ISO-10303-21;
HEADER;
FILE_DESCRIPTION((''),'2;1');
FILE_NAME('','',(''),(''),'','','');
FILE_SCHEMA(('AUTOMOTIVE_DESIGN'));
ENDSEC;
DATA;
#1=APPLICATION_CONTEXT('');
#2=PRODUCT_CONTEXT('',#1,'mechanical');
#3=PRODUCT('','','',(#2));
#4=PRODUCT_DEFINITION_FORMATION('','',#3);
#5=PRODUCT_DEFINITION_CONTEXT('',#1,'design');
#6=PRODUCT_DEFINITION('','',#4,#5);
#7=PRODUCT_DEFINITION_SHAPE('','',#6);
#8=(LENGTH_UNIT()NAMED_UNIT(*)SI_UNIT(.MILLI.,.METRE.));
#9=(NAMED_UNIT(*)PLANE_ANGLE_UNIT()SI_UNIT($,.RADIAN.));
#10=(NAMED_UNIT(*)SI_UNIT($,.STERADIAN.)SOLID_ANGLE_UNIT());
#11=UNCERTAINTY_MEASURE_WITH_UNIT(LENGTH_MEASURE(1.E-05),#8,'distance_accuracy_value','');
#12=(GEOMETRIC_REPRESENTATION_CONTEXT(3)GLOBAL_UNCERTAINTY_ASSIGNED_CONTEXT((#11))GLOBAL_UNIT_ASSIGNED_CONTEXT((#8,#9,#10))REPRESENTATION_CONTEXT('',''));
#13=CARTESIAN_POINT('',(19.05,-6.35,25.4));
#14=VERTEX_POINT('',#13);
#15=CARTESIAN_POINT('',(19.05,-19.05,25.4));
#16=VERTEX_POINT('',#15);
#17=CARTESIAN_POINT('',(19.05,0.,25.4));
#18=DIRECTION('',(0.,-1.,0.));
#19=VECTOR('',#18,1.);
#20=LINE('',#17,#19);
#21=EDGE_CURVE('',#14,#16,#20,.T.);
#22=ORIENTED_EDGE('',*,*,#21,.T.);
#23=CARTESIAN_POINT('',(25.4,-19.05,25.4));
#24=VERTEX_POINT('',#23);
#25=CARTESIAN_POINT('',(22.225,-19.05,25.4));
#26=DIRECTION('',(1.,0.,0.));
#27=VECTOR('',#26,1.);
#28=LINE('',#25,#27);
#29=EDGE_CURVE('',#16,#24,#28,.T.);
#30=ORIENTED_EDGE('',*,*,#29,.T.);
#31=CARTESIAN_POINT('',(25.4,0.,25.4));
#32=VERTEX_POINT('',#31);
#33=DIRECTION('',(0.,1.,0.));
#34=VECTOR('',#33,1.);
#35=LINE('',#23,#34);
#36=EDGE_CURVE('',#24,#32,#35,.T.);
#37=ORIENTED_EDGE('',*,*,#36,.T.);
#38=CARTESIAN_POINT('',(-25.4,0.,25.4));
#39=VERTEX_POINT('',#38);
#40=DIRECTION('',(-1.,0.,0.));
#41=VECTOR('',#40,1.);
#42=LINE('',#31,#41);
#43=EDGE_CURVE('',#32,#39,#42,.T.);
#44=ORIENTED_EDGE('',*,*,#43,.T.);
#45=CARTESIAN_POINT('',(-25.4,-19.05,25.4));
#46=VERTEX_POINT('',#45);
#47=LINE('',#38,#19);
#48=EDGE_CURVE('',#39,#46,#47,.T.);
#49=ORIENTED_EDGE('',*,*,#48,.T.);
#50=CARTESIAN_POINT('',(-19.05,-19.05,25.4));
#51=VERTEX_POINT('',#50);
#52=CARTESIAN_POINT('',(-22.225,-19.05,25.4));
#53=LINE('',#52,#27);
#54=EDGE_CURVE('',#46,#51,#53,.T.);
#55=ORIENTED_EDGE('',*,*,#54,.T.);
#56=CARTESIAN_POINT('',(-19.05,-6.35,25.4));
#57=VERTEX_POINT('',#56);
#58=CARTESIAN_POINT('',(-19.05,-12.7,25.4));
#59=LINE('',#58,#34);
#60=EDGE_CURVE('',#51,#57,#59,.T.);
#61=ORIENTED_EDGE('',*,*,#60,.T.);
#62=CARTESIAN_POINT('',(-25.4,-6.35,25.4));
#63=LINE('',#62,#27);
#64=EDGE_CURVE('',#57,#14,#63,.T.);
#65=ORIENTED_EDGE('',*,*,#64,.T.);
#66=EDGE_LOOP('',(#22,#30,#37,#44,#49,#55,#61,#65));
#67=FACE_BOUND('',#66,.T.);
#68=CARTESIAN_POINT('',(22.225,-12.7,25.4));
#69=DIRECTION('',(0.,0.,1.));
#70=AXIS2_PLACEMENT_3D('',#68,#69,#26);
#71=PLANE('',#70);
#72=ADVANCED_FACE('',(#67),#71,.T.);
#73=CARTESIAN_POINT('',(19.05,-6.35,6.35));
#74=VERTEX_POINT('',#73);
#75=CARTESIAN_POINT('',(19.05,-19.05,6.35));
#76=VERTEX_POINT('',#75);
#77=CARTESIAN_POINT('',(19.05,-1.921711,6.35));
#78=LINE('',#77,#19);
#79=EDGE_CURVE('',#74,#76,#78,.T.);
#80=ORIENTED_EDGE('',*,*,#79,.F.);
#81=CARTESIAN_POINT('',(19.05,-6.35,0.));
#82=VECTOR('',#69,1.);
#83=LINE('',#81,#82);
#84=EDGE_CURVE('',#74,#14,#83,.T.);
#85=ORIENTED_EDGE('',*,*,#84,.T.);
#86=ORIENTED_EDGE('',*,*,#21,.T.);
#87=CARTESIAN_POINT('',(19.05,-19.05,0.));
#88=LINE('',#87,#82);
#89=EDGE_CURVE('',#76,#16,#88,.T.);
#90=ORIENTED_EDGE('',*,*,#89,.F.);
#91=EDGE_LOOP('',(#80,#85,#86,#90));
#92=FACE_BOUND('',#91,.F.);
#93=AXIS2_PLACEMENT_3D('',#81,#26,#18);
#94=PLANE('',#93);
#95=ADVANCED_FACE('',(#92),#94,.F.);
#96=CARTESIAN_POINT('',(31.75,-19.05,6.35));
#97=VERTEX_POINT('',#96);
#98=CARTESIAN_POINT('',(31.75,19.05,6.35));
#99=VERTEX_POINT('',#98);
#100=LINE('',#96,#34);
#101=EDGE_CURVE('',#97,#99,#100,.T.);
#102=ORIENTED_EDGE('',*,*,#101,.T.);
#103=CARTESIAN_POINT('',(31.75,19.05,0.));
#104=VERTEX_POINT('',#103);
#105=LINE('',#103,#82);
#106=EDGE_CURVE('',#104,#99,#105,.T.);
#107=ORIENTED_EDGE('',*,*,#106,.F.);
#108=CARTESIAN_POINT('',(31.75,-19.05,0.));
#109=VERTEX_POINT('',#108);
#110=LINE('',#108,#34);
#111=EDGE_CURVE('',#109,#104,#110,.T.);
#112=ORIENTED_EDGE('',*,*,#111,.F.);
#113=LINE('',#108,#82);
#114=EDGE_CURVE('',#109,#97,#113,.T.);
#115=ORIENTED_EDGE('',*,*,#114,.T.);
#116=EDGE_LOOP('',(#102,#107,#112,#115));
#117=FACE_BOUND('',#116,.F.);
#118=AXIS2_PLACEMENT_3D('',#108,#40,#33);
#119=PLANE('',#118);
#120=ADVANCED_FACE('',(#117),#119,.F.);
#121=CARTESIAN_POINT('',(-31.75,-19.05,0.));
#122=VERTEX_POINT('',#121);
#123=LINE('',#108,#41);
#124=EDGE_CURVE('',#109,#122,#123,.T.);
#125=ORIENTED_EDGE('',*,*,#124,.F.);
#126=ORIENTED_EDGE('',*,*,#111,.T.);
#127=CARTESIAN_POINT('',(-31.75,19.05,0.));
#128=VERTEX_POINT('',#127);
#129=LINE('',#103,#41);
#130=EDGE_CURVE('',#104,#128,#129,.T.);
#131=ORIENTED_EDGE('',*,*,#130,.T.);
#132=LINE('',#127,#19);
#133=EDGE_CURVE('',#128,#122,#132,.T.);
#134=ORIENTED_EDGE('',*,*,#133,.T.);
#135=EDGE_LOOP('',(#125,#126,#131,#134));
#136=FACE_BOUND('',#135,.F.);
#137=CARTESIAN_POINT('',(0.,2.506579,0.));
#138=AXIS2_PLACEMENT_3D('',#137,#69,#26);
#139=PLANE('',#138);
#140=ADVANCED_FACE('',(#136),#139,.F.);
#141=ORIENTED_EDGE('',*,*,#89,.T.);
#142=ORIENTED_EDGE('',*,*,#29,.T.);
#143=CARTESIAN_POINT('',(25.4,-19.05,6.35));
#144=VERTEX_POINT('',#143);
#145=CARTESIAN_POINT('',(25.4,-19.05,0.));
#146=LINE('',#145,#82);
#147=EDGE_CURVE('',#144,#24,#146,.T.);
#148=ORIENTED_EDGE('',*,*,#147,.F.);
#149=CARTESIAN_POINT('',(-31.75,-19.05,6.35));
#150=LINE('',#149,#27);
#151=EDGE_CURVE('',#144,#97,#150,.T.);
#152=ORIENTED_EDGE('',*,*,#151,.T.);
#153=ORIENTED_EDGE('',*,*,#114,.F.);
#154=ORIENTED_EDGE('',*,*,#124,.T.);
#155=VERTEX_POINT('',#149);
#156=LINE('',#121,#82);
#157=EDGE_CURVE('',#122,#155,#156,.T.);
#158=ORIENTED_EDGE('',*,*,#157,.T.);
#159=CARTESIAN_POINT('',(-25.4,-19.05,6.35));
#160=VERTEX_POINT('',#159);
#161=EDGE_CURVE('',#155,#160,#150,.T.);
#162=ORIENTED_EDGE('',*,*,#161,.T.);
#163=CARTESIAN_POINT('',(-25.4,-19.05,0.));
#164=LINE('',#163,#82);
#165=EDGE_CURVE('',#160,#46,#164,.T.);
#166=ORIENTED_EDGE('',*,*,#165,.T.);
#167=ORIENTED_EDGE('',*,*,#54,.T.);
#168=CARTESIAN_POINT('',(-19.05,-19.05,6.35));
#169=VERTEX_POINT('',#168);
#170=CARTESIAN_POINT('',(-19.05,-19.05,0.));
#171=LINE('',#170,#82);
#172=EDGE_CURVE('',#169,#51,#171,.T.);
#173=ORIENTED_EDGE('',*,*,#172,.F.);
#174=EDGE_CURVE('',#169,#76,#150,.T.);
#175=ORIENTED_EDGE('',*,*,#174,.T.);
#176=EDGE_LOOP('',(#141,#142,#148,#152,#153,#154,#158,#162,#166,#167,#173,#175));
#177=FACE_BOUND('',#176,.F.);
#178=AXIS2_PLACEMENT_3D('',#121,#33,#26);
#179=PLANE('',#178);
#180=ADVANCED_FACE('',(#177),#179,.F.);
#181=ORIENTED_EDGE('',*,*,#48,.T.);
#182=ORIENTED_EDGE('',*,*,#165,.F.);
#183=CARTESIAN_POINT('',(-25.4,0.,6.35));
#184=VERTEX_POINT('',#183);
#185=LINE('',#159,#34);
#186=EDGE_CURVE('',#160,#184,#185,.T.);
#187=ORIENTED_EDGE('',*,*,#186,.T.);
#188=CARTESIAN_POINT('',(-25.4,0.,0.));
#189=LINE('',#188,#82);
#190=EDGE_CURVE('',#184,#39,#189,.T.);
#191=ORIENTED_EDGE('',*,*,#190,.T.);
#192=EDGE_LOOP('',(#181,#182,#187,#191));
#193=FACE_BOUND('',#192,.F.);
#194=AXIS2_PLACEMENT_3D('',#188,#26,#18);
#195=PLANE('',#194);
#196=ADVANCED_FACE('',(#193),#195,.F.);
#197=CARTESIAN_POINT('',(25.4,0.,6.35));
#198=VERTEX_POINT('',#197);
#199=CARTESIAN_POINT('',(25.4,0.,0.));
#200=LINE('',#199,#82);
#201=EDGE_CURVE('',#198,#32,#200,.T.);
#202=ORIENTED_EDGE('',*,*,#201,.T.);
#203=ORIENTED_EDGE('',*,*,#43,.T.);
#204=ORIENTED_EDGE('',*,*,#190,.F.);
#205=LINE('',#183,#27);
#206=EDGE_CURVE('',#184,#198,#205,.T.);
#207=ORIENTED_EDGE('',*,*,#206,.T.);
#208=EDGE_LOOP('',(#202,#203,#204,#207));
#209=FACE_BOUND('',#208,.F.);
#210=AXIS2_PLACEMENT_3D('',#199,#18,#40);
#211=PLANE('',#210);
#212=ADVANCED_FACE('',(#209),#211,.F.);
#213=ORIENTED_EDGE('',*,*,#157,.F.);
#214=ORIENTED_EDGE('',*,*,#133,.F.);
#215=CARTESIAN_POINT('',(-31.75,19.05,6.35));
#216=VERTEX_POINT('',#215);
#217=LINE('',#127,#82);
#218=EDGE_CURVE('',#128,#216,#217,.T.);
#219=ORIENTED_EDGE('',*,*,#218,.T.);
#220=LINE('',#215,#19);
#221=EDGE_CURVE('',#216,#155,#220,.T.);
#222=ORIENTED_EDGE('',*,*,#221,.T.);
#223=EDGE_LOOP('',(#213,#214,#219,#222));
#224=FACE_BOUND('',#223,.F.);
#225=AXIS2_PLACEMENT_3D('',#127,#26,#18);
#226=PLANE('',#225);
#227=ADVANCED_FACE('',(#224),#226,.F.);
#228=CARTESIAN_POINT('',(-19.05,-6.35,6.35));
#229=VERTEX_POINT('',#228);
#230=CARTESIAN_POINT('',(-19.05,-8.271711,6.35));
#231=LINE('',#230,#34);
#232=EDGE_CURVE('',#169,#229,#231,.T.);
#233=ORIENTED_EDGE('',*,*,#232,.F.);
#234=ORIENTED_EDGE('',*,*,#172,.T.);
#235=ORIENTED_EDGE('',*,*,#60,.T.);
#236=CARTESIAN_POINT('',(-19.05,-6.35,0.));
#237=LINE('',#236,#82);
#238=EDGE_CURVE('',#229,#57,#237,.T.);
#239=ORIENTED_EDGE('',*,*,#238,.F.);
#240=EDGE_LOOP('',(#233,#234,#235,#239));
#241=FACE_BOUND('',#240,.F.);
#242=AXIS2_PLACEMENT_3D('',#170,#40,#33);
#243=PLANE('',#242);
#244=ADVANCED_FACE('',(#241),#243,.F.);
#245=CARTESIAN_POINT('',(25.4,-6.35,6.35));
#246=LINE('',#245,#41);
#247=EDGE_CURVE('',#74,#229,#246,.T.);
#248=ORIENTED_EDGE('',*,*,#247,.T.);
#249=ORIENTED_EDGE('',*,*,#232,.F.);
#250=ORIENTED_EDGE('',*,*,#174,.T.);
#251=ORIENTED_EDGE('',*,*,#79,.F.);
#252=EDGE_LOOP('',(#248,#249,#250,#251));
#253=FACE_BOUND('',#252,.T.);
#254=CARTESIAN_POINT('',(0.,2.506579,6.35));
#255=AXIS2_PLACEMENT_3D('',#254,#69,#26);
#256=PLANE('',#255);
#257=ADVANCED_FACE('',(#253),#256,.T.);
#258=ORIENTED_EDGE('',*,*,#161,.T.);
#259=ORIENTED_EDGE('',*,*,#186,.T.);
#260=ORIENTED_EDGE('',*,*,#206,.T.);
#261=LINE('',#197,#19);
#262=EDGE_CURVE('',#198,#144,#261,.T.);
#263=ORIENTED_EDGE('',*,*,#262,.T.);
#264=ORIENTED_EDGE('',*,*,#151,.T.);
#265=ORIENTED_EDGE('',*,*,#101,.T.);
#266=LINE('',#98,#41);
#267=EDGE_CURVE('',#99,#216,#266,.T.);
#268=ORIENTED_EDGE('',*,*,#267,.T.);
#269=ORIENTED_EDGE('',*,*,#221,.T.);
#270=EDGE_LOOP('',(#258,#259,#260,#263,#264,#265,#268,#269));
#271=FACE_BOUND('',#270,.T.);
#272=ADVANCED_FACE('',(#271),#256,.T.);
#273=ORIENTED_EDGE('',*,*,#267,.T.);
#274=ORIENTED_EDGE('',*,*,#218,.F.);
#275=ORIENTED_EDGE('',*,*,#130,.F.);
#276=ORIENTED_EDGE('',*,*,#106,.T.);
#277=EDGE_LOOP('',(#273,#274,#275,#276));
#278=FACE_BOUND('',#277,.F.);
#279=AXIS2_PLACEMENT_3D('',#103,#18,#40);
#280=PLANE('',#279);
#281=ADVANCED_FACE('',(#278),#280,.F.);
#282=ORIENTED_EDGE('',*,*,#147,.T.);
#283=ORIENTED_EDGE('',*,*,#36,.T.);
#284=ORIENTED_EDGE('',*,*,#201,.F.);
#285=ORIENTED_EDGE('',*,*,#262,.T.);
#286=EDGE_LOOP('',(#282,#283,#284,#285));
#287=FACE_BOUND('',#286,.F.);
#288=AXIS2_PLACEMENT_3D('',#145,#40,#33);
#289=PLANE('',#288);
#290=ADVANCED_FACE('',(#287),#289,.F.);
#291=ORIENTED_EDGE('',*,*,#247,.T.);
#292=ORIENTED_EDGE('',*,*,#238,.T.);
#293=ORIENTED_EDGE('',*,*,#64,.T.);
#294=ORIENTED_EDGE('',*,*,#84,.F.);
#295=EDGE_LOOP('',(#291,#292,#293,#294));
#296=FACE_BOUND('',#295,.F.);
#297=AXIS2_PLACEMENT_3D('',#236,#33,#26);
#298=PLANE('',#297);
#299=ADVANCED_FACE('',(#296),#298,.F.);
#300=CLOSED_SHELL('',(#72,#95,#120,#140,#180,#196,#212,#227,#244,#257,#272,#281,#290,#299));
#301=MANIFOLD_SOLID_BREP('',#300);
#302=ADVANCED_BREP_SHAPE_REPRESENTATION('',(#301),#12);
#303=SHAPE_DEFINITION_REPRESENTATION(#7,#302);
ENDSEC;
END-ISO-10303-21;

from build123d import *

# Parameters (mm, degrees)
F0_W     = 6.35
F0_H     = 12.7
F0_H_2   = 6.35
F0_W_2   = 38.1
F1_DEPTH = 25.4
F2_DEPTH = 6.35


with BuildPart() as f1:
    # F0 (on Top) → F1 (new body)
    with BuildSketch(Plane.XY):
        with Locations((22.225, -12.7)):
            Rectangle(F0_W, F0_H)
        with Locations((22.225, -3.175)):
            Rectangle(F0_W, F0_H_2)
        with Locations((0, -3.175)):
            Rectangle(F0_W_2, F0_H_2)
        with Locations((-22.225, -3.175)):
            Rectangle(F0_W, F0_H_2)
        with Locations((-22.225, -12.7)):
            Rectangle(F0_W, F0_H)
    extrude(amount=F1_DEPTH)

    # F0 (on Top) → F2 (join)
    with BuildSketch(Plane.XY):
        Polygon((31.75, 19.05), (-31.75, 19.05), (-31.75, -19.05), (-25.4, -19.05), (-25.4, -6.35), (-25.4, 0), (-19.05, 0), (19.05, 0), (25.4, 0), (25.4, -6.35), (25.4, -19.05), (31.75, -19.05), align=None)
        with Locations((-22.225, -12.7)):
            Rectangle(F0_W, F0_H)
        with Locations((22.225, -12.7)):
            Rectangle(F0_W, F0_H)
        with Locations((0, -12.7)):
            Rectangle(F0_W_2, F0_H)
    extrude(amount=F2_DEPTH)


solid = f1.part
